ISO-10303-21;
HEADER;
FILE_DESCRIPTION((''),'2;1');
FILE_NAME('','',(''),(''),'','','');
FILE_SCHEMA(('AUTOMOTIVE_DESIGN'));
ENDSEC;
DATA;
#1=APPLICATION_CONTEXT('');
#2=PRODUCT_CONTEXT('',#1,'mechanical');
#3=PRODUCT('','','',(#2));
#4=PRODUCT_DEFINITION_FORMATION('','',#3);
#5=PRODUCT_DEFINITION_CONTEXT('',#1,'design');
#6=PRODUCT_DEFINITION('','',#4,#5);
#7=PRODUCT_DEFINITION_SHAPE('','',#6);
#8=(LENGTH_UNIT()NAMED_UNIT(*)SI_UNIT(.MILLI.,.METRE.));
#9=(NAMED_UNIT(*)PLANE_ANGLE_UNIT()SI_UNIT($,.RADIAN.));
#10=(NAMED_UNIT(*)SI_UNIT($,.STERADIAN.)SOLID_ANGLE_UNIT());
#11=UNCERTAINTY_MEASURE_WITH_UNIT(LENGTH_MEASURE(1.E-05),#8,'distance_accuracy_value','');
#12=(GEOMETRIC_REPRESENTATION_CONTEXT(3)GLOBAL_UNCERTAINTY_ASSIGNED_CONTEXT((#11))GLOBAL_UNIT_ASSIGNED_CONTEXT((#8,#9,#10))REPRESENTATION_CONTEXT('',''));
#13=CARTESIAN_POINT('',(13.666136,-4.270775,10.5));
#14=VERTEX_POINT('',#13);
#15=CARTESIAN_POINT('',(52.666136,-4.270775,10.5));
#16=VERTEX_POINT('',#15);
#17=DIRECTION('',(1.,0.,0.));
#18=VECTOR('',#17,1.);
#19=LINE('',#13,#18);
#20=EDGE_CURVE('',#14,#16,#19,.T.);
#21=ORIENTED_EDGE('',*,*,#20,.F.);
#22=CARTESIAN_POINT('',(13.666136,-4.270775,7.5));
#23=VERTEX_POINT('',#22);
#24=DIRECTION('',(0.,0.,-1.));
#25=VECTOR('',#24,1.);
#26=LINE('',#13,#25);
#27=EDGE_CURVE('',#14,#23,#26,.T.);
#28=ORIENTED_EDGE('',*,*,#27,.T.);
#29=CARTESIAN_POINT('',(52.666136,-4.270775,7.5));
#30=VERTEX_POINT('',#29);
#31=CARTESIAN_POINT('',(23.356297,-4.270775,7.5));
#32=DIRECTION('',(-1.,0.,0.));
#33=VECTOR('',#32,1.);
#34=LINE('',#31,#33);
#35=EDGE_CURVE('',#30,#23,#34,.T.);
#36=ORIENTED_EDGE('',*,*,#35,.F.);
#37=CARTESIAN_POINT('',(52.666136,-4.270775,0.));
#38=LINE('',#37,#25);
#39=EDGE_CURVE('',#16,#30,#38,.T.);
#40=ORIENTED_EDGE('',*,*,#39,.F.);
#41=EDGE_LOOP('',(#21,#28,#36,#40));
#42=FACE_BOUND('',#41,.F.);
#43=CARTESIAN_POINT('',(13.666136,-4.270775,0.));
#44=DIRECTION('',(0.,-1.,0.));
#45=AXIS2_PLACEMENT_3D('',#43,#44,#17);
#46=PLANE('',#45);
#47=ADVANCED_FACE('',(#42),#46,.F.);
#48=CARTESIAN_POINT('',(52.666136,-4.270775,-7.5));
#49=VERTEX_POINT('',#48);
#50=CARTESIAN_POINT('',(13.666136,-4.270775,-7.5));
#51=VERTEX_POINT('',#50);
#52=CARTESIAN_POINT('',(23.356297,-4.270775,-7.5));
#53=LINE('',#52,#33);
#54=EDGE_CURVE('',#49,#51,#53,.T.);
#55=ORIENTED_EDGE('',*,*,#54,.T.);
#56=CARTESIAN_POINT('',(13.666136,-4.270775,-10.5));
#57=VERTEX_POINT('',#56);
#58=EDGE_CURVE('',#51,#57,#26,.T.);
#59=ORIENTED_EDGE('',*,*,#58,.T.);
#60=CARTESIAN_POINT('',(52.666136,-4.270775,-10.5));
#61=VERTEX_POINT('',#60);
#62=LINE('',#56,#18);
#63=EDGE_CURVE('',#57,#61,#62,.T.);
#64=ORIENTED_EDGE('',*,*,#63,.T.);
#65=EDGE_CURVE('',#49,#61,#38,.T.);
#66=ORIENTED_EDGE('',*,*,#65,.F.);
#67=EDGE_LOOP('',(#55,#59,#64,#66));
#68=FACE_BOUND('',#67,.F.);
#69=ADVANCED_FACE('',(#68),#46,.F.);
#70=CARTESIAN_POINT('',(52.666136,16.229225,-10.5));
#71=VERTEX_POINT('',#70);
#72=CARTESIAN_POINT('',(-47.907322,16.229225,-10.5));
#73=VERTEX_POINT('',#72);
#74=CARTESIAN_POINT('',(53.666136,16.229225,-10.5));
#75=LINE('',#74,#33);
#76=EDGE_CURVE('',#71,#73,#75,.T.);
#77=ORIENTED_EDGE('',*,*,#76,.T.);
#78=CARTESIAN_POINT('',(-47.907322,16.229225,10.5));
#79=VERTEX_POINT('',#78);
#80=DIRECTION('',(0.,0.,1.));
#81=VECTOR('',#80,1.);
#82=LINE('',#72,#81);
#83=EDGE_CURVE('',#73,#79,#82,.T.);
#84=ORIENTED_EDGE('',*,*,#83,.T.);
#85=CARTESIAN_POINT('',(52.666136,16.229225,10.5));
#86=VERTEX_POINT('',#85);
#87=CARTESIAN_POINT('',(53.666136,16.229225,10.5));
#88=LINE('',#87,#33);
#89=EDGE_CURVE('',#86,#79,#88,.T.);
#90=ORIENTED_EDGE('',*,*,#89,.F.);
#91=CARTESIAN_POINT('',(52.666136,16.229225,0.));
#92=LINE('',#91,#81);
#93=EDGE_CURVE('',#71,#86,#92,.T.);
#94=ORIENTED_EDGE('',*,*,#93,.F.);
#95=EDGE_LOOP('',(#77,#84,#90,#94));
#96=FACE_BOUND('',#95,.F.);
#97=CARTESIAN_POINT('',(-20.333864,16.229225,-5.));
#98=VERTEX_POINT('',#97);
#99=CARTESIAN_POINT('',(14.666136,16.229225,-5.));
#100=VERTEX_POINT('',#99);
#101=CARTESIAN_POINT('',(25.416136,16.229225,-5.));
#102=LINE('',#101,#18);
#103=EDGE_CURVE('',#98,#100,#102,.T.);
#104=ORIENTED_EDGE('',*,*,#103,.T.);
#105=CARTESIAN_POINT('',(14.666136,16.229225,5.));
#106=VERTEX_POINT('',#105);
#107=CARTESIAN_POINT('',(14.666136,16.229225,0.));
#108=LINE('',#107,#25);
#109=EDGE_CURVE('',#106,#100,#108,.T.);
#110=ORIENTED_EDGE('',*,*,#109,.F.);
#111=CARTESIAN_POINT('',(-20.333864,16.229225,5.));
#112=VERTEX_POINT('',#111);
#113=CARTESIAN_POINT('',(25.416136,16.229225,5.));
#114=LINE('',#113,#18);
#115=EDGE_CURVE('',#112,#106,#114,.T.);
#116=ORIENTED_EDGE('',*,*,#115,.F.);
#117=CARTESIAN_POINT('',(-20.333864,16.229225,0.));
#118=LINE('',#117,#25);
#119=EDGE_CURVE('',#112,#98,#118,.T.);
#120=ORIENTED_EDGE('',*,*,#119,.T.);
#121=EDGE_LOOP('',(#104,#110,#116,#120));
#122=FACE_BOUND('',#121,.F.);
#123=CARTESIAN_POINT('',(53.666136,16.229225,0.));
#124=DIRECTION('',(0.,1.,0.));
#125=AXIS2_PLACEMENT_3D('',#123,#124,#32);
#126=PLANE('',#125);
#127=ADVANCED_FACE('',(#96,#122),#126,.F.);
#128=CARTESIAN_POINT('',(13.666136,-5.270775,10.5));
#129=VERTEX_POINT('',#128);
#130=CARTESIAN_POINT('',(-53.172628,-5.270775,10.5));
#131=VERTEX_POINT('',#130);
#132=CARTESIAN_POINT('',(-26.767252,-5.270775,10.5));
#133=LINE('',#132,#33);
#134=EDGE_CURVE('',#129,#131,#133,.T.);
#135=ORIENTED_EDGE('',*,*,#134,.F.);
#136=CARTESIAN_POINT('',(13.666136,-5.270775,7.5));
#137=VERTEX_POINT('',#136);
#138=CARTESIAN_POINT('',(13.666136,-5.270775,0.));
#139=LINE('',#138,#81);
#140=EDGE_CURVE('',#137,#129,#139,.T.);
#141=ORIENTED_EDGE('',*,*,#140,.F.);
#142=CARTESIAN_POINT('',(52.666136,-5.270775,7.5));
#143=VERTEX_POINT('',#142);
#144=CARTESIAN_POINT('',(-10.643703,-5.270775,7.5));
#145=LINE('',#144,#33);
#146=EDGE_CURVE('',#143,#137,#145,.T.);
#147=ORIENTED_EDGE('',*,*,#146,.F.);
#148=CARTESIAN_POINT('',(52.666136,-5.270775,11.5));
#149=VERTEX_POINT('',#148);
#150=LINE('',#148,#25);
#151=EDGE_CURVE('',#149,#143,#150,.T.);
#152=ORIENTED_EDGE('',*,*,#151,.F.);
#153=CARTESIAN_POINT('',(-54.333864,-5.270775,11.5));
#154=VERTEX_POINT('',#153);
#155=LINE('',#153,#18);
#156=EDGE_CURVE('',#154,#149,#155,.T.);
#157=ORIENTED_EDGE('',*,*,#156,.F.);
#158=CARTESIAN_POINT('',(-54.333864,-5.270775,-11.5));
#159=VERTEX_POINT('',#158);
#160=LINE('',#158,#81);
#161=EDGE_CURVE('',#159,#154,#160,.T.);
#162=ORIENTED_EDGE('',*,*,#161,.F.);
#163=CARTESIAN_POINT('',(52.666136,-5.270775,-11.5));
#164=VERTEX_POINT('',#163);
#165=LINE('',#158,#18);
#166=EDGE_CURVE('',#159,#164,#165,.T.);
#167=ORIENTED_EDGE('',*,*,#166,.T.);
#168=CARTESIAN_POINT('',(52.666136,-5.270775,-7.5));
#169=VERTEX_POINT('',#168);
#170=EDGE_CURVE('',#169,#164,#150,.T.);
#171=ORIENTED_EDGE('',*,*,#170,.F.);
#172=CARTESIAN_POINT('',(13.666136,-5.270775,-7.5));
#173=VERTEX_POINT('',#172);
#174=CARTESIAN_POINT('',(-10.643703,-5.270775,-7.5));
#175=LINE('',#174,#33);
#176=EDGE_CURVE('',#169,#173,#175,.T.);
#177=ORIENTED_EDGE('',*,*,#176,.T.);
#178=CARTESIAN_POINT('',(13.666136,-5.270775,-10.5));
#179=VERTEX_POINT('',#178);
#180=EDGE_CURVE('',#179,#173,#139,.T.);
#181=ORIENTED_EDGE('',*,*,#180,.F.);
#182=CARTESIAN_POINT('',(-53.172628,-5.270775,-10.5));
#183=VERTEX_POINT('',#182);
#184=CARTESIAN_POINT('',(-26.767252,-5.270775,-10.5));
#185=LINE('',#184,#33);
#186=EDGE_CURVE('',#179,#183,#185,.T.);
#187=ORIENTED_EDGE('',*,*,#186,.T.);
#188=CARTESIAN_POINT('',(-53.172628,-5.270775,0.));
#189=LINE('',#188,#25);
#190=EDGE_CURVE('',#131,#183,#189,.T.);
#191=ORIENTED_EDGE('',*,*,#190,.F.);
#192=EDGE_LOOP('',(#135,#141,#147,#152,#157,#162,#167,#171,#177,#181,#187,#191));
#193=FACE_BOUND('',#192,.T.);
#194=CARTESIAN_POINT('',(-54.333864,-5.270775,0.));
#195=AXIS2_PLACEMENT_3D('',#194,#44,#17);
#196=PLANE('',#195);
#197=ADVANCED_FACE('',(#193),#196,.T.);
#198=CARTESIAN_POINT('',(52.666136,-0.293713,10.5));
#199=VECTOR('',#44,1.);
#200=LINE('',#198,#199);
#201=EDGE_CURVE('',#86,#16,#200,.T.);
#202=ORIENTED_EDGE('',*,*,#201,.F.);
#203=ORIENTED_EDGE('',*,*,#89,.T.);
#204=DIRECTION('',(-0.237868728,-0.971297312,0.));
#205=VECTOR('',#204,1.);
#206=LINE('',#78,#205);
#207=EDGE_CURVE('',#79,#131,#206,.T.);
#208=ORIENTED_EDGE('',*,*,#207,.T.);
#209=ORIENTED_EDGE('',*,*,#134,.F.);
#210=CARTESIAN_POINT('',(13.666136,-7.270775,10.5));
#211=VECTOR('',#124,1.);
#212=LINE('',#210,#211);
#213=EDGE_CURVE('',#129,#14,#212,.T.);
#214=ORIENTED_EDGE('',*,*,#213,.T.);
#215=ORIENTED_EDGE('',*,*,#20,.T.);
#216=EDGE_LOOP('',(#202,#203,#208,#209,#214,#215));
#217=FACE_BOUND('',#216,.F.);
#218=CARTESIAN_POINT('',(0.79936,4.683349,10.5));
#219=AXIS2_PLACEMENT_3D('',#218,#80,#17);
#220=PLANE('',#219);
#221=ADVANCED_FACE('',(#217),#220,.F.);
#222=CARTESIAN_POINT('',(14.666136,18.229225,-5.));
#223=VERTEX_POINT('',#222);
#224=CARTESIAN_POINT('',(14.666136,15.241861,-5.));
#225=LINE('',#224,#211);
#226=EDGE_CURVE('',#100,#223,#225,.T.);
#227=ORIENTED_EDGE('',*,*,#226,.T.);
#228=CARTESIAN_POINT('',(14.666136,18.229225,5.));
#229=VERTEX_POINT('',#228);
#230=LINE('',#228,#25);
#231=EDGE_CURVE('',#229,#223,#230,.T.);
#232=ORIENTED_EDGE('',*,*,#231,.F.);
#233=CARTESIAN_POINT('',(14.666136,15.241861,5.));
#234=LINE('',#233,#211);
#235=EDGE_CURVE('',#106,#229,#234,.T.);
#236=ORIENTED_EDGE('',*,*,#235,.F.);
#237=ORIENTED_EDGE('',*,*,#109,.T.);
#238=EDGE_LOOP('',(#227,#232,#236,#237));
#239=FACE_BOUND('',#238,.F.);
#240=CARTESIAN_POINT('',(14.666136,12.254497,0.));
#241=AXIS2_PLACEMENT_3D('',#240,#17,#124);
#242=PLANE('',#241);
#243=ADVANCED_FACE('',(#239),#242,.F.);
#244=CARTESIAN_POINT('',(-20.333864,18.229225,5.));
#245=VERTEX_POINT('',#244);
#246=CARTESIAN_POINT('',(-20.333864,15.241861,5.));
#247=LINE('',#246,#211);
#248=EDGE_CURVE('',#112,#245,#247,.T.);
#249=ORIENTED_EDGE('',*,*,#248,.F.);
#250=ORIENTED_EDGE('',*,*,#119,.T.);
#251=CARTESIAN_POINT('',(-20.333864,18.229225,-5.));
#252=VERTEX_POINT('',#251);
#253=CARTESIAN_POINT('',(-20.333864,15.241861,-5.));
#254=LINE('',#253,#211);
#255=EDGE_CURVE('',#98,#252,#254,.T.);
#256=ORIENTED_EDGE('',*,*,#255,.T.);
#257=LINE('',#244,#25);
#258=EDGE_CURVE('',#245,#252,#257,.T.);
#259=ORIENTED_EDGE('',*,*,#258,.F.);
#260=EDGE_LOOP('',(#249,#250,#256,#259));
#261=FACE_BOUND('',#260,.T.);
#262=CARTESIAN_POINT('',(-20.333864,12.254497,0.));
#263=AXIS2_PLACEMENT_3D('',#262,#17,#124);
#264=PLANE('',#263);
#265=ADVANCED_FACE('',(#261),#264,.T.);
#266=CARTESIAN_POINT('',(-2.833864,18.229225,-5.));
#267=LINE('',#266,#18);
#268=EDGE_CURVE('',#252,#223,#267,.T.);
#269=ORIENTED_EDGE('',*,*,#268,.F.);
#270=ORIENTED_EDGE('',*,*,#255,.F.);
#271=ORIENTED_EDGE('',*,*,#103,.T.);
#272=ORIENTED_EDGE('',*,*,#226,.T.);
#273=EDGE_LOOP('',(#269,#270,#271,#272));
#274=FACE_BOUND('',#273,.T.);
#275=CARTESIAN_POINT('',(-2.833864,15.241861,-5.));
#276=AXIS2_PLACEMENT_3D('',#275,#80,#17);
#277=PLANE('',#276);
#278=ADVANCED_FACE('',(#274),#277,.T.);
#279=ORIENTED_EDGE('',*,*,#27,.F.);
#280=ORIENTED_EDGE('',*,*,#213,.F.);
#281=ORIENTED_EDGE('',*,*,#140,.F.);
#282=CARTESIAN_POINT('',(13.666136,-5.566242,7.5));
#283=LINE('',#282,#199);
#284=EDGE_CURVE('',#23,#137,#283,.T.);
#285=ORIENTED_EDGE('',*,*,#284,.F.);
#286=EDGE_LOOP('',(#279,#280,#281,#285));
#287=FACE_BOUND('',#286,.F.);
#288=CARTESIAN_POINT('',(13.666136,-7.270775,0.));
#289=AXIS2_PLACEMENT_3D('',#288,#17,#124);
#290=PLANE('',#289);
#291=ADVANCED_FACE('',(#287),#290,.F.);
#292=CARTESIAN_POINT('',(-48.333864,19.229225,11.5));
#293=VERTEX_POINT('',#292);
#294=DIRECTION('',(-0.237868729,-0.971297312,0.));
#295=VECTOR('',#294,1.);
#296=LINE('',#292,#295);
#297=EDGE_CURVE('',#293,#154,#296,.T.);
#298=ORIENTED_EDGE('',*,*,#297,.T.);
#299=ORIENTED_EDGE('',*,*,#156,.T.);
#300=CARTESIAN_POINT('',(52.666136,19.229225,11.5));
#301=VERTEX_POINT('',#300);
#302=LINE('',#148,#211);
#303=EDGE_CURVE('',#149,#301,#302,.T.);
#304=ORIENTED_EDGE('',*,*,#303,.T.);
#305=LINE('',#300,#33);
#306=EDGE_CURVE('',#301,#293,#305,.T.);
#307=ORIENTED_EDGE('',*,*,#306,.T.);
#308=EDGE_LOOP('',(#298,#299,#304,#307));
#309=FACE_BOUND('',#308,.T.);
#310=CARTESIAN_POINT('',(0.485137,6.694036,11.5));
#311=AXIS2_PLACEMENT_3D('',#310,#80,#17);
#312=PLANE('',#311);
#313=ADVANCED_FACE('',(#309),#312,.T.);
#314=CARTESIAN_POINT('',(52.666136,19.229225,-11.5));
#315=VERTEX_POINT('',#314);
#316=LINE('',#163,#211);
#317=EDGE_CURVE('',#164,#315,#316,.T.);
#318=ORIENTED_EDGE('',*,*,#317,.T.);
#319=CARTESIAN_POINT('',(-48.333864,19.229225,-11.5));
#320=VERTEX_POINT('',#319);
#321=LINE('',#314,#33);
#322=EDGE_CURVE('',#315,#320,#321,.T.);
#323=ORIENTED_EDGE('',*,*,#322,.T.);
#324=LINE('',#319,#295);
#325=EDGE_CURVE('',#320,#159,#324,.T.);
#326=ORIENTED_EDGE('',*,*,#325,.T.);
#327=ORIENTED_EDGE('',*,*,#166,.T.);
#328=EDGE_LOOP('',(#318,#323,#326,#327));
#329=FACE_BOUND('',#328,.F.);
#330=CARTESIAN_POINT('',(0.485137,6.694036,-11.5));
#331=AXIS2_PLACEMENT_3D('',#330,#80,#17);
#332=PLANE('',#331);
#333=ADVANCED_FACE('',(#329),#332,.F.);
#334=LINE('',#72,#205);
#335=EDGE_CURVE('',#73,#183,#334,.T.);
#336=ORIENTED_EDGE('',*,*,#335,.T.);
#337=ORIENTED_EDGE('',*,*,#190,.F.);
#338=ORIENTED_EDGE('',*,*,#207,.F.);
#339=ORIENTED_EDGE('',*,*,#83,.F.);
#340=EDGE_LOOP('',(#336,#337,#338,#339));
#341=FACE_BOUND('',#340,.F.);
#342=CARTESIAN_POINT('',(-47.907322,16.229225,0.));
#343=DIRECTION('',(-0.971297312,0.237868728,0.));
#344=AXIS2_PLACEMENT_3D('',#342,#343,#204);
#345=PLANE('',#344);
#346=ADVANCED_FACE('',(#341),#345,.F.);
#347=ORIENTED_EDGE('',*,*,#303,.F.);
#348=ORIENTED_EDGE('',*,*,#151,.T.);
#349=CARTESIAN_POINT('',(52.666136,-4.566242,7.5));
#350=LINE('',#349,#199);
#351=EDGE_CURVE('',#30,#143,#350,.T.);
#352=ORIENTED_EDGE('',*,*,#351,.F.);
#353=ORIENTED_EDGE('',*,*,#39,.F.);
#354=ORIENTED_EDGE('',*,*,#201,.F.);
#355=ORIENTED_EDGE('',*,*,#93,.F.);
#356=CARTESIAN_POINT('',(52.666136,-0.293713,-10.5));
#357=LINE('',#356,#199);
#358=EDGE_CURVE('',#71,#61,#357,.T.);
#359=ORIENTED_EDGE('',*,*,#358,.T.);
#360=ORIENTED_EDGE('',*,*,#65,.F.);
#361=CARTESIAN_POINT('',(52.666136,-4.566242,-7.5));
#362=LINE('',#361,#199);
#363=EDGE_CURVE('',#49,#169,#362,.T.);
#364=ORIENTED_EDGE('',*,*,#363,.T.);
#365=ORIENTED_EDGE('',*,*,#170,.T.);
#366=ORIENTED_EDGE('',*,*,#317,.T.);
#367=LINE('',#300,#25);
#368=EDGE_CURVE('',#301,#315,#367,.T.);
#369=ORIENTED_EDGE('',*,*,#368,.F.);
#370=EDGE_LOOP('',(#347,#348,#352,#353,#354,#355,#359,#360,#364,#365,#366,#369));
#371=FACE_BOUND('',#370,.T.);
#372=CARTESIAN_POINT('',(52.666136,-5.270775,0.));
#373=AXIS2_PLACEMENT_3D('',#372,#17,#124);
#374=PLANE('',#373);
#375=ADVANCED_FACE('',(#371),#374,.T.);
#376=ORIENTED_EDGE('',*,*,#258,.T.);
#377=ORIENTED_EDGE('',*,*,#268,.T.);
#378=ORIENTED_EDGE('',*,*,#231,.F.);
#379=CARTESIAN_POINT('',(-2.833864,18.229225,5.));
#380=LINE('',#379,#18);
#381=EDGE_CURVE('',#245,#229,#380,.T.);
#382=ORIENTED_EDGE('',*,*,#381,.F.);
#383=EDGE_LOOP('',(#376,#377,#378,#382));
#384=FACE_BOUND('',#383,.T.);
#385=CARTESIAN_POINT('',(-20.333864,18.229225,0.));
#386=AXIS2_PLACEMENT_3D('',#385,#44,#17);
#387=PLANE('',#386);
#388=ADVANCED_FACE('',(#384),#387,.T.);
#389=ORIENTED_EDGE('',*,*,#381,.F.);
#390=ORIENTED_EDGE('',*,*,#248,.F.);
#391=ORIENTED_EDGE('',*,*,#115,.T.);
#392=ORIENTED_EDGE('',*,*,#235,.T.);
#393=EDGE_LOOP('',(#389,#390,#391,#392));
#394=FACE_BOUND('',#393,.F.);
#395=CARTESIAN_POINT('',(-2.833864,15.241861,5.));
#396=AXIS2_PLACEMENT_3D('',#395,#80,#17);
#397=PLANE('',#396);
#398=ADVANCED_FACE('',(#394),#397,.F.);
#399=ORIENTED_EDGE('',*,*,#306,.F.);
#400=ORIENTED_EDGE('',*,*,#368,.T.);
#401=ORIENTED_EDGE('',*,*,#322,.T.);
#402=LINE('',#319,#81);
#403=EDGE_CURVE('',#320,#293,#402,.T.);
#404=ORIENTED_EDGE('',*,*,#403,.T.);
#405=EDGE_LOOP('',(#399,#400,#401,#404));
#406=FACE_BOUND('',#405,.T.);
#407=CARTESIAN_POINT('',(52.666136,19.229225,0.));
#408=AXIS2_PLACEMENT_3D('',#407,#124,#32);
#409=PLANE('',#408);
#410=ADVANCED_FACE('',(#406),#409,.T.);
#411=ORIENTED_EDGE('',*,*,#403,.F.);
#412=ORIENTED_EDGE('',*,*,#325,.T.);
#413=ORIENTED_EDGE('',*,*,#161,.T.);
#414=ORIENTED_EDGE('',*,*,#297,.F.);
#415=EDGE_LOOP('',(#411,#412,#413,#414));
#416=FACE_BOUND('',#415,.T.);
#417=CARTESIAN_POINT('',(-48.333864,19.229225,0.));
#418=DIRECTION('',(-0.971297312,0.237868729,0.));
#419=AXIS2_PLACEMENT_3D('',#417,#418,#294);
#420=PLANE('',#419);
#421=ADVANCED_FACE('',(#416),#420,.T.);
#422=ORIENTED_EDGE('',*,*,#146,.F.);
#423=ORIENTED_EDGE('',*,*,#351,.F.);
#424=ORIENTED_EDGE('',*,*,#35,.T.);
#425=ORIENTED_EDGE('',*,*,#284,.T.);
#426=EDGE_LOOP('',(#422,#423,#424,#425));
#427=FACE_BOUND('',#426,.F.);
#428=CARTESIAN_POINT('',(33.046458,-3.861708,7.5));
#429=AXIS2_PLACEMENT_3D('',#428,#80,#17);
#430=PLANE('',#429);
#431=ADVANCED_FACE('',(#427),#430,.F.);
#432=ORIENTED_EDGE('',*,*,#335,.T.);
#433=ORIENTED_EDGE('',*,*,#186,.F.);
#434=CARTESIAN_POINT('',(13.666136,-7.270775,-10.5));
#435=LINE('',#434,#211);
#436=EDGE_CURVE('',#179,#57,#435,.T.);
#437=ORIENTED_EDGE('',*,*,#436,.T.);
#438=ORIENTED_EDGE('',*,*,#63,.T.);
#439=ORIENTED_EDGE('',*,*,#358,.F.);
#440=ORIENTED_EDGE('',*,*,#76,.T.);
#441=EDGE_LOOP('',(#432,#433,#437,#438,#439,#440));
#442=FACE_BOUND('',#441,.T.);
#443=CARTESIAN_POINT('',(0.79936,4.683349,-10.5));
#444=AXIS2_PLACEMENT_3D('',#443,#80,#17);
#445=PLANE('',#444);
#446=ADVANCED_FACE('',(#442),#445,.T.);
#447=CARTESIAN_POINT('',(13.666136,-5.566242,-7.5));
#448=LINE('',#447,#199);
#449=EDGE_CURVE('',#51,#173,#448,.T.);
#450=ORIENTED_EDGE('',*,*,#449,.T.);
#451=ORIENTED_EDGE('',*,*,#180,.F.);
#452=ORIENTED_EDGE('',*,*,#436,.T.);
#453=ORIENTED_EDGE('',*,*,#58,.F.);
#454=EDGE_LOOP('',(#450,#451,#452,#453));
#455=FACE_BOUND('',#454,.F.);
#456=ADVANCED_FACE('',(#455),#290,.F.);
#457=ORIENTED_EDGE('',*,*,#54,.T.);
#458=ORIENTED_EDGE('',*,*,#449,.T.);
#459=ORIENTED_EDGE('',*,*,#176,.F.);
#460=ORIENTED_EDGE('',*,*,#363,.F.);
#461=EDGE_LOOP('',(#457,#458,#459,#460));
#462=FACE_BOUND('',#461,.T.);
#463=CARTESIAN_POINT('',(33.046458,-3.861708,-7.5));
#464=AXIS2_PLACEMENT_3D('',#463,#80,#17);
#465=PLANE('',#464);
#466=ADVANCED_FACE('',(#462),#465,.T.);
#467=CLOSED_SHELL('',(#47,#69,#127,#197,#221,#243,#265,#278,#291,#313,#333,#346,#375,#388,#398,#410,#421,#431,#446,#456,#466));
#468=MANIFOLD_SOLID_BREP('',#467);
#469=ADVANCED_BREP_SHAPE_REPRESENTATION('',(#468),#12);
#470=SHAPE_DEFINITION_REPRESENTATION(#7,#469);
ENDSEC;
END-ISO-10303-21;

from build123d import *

# Parameters (mm, degrees)
F1_DEPTH = 11.5
F3_DEPTH = 10.5
F4_W     = 57.923077
F4_H     = 25.561713
F5_DEPTH = 7.5
F6_W     = 35
F6_H     = 5.974728
F7_DEPTH = 5


with BuildPart() as f1:
    # F0 (on Top) → F1 (new body, symmetric)
    with BuildSketch(Plane.XY):
        Polygon((52.666136, 19.229225), (-48.333864, 19.229225), (-54.333864, -5.270775), (52.666136, -5.270775), align=None)
    extrude(amount=F1_DEPTH, both=True)

    # F2 (on Top) → F3 (cut, symmetric)
    with BuildSketch(Plane.XY):
        Polygon((13.666136, -4.270775), (53.666136, -4.270775), (53.666136, 16.229225), (-47.907322, 16.229225), (-53.662424, -7.270775), (13.666136, -7.270775), align=None)
    extrude(amount=F3_DEPTH, both=True, mode=Mode.SUBTRACT)

    # F4 (on Top) → F5 (cut, symmetric)
    with BuildSketch(Plane.XY):
        with Locations((33.046458, -3.861708)):
            Rectangle(F4_W, F4_H)
    extrude(amount=F5_DEPTH, both=True, mode=Mode.SUBTRACT)

    # F6 (on Top) → F7 (cut, symmetric)
    with BuildSketch(Plane.XY):
        with Locations((-2.833864, 15.241861)):
            Rectangle(F6_W, F6_H)
    extrude(amount=F7_DEPTH, both=True, mode=Mode.SUBTRACT)


solid = f1.part
